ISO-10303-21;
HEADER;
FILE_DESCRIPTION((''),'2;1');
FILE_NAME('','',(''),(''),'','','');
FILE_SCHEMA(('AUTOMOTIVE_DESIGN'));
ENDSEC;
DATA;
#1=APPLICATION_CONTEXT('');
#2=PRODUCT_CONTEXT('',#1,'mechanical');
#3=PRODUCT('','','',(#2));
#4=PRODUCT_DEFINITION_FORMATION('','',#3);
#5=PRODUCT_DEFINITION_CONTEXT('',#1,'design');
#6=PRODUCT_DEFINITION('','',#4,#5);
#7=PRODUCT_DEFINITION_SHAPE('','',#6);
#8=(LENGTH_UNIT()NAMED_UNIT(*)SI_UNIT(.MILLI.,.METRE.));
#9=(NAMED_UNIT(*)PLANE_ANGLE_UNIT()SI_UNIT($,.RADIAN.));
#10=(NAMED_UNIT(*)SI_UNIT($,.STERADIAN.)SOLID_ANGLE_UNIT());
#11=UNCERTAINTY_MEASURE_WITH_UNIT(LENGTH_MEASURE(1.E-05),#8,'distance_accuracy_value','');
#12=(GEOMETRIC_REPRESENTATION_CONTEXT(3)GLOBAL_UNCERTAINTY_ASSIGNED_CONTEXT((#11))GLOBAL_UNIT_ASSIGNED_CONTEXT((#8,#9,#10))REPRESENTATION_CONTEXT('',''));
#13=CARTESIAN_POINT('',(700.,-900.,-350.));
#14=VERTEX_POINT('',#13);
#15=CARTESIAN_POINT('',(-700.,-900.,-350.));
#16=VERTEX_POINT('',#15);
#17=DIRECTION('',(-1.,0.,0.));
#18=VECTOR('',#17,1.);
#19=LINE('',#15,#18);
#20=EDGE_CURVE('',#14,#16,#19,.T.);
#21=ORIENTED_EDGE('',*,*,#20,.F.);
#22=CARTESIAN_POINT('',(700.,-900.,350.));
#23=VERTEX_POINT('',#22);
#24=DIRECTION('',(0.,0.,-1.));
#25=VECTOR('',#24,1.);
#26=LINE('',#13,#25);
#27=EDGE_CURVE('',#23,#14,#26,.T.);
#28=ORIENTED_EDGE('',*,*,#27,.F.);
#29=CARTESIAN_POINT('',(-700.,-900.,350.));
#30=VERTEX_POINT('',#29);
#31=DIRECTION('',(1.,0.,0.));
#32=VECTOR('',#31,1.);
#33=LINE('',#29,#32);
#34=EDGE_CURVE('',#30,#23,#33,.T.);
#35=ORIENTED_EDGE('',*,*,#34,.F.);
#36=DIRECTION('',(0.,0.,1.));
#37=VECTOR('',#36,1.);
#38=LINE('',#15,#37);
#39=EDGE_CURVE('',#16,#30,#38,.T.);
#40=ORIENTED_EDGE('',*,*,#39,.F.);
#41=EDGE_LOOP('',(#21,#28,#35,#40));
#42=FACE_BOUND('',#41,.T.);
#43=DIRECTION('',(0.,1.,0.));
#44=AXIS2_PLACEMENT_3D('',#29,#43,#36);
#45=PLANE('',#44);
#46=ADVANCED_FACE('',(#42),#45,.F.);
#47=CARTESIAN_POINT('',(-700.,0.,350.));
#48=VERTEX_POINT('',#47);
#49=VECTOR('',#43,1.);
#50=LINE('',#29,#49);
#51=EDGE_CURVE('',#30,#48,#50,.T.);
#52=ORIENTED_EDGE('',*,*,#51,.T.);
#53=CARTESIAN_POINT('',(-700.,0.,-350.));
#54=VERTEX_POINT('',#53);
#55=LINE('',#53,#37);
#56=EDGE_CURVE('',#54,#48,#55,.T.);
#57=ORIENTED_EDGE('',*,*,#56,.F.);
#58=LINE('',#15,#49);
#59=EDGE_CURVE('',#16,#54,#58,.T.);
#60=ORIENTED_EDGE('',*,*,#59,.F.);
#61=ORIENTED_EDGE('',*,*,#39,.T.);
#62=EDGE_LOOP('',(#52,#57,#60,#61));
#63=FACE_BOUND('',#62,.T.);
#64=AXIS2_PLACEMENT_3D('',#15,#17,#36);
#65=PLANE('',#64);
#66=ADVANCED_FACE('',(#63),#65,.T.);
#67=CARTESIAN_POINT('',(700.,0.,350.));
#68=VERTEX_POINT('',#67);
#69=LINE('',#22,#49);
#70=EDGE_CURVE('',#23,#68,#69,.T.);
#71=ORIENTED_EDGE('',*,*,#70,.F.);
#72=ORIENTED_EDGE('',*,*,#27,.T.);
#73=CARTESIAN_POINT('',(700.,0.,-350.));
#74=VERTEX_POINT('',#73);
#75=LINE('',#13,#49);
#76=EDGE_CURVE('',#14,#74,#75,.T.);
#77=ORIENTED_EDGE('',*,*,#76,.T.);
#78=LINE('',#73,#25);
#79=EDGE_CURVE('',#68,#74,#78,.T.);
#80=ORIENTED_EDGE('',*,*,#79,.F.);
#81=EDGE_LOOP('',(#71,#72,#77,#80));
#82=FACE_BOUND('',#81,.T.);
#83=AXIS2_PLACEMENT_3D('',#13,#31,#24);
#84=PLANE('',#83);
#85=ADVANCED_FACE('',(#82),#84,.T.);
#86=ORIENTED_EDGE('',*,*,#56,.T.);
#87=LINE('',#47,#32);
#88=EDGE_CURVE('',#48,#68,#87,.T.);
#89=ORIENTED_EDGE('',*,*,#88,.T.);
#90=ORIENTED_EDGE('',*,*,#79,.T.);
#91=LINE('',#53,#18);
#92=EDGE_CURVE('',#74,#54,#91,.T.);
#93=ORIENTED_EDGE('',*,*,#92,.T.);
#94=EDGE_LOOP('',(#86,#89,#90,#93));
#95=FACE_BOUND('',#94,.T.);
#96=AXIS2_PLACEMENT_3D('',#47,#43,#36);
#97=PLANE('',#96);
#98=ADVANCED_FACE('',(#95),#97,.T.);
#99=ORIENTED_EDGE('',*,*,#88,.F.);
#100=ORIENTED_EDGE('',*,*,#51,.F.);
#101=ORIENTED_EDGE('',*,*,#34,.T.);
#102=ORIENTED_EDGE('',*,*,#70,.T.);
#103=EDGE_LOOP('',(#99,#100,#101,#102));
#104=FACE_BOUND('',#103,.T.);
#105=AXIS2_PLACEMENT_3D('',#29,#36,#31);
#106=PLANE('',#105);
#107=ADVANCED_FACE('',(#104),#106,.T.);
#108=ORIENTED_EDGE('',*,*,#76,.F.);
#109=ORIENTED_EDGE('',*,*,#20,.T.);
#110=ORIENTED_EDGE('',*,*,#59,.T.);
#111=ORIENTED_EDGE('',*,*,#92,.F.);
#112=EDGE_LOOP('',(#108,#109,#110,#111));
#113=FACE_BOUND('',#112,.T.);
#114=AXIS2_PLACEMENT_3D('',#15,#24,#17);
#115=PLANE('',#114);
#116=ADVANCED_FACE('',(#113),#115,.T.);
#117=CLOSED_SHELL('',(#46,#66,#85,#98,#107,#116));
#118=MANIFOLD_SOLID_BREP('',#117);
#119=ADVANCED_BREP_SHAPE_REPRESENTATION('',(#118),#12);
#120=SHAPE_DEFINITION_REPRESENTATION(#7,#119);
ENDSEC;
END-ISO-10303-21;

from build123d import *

# Parameters (mm, degrees)
SKETCH1_W           = 1400
SKETCH1_H           = 700
BOSS_EXTRUDE1_DEPTH = 900


with BuildPart() as part:
    # Sketch1 → Boss-Extrude1 (new body)
    with BuildSketch(Plane(origin=(0, 0, 0), x_dir=(1, 0, 0), z_dir=(0, 1, 0))):
        Rectangle(SKETCH1_W, SKETCH1_H)
    extrude(amount=-BOSS_EXTRUDE1_DEPTH)


solid = part.part
